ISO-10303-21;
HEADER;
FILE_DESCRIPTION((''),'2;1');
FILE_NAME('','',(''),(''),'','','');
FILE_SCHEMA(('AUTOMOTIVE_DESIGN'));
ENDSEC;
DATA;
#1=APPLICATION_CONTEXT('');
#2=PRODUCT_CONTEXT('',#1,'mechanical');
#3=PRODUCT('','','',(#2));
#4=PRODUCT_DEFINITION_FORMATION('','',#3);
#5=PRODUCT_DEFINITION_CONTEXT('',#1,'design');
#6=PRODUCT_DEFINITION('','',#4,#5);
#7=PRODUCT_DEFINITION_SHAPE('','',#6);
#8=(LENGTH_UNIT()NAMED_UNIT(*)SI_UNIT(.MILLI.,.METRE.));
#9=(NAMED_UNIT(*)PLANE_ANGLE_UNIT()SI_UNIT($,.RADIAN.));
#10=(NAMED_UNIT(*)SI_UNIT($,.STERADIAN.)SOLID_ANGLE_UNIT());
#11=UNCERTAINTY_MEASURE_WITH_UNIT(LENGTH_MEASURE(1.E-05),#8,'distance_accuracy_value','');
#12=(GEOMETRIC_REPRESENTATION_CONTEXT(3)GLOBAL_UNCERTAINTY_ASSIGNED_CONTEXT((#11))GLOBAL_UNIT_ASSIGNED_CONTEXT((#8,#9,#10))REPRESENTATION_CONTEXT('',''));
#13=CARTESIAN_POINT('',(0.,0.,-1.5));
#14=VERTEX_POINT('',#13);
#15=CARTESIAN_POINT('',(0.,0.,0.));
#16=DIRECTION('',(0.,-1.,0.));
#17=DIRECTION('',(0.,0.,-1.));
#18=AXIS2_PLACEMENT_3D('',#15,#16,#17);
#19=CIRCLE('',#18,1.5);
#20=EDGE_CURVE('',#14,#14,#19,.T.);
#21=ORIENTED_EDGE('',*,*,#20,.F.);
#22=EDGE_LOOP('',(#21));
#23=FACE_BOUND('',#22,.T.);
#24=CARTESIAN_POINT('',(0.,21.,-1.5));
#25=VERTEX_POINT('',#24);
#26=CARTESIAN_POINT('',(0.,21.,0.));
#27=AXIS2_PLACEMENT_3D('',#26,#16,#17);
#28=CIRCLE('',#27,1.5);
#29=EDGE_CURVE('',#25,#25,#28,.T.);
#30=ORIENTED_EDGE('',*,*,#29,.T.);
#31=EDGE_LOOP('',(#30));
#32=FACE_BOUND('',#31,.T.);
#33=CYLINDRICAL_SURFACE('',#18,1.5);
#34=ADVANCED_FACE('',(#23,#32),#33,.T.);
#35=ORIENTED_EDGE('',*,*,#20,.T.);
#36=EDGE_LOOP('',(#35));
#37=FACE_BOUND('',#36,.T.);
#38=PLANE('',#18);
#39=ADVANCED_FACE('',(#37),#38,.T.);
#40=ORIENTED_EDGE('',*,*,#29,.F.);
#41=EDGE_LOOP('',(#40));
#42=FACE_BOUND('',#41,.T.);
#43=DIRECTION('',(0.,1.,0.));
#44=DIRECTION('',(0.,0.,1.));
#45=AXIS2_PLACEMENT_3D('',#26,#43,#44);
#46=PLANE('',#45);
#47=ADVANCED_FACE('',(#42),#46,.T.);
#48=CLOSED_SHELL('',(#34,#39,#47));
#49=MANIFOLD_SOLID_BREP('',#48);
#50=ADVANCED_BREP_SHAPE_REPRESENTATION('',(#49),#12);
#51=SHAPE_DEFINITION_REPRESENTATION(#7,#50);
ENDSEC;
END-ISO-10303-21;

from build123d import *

# Parameters (mm, degrees)
SKETCH1_W = 1.5
SKETCH1_H = 21


with BuildPart() as part:
    # Sketch1 → Revolve1 (revolve)
    with BuildSketch(Plane.XY):
        with Locations((0.75, 10.5)):
            Rectangle(SKETCH1_W, SKETCH1_H)
    revolve(axis=Axis((0, 0, 0), (0, 1, 0)))


solid = part.part
